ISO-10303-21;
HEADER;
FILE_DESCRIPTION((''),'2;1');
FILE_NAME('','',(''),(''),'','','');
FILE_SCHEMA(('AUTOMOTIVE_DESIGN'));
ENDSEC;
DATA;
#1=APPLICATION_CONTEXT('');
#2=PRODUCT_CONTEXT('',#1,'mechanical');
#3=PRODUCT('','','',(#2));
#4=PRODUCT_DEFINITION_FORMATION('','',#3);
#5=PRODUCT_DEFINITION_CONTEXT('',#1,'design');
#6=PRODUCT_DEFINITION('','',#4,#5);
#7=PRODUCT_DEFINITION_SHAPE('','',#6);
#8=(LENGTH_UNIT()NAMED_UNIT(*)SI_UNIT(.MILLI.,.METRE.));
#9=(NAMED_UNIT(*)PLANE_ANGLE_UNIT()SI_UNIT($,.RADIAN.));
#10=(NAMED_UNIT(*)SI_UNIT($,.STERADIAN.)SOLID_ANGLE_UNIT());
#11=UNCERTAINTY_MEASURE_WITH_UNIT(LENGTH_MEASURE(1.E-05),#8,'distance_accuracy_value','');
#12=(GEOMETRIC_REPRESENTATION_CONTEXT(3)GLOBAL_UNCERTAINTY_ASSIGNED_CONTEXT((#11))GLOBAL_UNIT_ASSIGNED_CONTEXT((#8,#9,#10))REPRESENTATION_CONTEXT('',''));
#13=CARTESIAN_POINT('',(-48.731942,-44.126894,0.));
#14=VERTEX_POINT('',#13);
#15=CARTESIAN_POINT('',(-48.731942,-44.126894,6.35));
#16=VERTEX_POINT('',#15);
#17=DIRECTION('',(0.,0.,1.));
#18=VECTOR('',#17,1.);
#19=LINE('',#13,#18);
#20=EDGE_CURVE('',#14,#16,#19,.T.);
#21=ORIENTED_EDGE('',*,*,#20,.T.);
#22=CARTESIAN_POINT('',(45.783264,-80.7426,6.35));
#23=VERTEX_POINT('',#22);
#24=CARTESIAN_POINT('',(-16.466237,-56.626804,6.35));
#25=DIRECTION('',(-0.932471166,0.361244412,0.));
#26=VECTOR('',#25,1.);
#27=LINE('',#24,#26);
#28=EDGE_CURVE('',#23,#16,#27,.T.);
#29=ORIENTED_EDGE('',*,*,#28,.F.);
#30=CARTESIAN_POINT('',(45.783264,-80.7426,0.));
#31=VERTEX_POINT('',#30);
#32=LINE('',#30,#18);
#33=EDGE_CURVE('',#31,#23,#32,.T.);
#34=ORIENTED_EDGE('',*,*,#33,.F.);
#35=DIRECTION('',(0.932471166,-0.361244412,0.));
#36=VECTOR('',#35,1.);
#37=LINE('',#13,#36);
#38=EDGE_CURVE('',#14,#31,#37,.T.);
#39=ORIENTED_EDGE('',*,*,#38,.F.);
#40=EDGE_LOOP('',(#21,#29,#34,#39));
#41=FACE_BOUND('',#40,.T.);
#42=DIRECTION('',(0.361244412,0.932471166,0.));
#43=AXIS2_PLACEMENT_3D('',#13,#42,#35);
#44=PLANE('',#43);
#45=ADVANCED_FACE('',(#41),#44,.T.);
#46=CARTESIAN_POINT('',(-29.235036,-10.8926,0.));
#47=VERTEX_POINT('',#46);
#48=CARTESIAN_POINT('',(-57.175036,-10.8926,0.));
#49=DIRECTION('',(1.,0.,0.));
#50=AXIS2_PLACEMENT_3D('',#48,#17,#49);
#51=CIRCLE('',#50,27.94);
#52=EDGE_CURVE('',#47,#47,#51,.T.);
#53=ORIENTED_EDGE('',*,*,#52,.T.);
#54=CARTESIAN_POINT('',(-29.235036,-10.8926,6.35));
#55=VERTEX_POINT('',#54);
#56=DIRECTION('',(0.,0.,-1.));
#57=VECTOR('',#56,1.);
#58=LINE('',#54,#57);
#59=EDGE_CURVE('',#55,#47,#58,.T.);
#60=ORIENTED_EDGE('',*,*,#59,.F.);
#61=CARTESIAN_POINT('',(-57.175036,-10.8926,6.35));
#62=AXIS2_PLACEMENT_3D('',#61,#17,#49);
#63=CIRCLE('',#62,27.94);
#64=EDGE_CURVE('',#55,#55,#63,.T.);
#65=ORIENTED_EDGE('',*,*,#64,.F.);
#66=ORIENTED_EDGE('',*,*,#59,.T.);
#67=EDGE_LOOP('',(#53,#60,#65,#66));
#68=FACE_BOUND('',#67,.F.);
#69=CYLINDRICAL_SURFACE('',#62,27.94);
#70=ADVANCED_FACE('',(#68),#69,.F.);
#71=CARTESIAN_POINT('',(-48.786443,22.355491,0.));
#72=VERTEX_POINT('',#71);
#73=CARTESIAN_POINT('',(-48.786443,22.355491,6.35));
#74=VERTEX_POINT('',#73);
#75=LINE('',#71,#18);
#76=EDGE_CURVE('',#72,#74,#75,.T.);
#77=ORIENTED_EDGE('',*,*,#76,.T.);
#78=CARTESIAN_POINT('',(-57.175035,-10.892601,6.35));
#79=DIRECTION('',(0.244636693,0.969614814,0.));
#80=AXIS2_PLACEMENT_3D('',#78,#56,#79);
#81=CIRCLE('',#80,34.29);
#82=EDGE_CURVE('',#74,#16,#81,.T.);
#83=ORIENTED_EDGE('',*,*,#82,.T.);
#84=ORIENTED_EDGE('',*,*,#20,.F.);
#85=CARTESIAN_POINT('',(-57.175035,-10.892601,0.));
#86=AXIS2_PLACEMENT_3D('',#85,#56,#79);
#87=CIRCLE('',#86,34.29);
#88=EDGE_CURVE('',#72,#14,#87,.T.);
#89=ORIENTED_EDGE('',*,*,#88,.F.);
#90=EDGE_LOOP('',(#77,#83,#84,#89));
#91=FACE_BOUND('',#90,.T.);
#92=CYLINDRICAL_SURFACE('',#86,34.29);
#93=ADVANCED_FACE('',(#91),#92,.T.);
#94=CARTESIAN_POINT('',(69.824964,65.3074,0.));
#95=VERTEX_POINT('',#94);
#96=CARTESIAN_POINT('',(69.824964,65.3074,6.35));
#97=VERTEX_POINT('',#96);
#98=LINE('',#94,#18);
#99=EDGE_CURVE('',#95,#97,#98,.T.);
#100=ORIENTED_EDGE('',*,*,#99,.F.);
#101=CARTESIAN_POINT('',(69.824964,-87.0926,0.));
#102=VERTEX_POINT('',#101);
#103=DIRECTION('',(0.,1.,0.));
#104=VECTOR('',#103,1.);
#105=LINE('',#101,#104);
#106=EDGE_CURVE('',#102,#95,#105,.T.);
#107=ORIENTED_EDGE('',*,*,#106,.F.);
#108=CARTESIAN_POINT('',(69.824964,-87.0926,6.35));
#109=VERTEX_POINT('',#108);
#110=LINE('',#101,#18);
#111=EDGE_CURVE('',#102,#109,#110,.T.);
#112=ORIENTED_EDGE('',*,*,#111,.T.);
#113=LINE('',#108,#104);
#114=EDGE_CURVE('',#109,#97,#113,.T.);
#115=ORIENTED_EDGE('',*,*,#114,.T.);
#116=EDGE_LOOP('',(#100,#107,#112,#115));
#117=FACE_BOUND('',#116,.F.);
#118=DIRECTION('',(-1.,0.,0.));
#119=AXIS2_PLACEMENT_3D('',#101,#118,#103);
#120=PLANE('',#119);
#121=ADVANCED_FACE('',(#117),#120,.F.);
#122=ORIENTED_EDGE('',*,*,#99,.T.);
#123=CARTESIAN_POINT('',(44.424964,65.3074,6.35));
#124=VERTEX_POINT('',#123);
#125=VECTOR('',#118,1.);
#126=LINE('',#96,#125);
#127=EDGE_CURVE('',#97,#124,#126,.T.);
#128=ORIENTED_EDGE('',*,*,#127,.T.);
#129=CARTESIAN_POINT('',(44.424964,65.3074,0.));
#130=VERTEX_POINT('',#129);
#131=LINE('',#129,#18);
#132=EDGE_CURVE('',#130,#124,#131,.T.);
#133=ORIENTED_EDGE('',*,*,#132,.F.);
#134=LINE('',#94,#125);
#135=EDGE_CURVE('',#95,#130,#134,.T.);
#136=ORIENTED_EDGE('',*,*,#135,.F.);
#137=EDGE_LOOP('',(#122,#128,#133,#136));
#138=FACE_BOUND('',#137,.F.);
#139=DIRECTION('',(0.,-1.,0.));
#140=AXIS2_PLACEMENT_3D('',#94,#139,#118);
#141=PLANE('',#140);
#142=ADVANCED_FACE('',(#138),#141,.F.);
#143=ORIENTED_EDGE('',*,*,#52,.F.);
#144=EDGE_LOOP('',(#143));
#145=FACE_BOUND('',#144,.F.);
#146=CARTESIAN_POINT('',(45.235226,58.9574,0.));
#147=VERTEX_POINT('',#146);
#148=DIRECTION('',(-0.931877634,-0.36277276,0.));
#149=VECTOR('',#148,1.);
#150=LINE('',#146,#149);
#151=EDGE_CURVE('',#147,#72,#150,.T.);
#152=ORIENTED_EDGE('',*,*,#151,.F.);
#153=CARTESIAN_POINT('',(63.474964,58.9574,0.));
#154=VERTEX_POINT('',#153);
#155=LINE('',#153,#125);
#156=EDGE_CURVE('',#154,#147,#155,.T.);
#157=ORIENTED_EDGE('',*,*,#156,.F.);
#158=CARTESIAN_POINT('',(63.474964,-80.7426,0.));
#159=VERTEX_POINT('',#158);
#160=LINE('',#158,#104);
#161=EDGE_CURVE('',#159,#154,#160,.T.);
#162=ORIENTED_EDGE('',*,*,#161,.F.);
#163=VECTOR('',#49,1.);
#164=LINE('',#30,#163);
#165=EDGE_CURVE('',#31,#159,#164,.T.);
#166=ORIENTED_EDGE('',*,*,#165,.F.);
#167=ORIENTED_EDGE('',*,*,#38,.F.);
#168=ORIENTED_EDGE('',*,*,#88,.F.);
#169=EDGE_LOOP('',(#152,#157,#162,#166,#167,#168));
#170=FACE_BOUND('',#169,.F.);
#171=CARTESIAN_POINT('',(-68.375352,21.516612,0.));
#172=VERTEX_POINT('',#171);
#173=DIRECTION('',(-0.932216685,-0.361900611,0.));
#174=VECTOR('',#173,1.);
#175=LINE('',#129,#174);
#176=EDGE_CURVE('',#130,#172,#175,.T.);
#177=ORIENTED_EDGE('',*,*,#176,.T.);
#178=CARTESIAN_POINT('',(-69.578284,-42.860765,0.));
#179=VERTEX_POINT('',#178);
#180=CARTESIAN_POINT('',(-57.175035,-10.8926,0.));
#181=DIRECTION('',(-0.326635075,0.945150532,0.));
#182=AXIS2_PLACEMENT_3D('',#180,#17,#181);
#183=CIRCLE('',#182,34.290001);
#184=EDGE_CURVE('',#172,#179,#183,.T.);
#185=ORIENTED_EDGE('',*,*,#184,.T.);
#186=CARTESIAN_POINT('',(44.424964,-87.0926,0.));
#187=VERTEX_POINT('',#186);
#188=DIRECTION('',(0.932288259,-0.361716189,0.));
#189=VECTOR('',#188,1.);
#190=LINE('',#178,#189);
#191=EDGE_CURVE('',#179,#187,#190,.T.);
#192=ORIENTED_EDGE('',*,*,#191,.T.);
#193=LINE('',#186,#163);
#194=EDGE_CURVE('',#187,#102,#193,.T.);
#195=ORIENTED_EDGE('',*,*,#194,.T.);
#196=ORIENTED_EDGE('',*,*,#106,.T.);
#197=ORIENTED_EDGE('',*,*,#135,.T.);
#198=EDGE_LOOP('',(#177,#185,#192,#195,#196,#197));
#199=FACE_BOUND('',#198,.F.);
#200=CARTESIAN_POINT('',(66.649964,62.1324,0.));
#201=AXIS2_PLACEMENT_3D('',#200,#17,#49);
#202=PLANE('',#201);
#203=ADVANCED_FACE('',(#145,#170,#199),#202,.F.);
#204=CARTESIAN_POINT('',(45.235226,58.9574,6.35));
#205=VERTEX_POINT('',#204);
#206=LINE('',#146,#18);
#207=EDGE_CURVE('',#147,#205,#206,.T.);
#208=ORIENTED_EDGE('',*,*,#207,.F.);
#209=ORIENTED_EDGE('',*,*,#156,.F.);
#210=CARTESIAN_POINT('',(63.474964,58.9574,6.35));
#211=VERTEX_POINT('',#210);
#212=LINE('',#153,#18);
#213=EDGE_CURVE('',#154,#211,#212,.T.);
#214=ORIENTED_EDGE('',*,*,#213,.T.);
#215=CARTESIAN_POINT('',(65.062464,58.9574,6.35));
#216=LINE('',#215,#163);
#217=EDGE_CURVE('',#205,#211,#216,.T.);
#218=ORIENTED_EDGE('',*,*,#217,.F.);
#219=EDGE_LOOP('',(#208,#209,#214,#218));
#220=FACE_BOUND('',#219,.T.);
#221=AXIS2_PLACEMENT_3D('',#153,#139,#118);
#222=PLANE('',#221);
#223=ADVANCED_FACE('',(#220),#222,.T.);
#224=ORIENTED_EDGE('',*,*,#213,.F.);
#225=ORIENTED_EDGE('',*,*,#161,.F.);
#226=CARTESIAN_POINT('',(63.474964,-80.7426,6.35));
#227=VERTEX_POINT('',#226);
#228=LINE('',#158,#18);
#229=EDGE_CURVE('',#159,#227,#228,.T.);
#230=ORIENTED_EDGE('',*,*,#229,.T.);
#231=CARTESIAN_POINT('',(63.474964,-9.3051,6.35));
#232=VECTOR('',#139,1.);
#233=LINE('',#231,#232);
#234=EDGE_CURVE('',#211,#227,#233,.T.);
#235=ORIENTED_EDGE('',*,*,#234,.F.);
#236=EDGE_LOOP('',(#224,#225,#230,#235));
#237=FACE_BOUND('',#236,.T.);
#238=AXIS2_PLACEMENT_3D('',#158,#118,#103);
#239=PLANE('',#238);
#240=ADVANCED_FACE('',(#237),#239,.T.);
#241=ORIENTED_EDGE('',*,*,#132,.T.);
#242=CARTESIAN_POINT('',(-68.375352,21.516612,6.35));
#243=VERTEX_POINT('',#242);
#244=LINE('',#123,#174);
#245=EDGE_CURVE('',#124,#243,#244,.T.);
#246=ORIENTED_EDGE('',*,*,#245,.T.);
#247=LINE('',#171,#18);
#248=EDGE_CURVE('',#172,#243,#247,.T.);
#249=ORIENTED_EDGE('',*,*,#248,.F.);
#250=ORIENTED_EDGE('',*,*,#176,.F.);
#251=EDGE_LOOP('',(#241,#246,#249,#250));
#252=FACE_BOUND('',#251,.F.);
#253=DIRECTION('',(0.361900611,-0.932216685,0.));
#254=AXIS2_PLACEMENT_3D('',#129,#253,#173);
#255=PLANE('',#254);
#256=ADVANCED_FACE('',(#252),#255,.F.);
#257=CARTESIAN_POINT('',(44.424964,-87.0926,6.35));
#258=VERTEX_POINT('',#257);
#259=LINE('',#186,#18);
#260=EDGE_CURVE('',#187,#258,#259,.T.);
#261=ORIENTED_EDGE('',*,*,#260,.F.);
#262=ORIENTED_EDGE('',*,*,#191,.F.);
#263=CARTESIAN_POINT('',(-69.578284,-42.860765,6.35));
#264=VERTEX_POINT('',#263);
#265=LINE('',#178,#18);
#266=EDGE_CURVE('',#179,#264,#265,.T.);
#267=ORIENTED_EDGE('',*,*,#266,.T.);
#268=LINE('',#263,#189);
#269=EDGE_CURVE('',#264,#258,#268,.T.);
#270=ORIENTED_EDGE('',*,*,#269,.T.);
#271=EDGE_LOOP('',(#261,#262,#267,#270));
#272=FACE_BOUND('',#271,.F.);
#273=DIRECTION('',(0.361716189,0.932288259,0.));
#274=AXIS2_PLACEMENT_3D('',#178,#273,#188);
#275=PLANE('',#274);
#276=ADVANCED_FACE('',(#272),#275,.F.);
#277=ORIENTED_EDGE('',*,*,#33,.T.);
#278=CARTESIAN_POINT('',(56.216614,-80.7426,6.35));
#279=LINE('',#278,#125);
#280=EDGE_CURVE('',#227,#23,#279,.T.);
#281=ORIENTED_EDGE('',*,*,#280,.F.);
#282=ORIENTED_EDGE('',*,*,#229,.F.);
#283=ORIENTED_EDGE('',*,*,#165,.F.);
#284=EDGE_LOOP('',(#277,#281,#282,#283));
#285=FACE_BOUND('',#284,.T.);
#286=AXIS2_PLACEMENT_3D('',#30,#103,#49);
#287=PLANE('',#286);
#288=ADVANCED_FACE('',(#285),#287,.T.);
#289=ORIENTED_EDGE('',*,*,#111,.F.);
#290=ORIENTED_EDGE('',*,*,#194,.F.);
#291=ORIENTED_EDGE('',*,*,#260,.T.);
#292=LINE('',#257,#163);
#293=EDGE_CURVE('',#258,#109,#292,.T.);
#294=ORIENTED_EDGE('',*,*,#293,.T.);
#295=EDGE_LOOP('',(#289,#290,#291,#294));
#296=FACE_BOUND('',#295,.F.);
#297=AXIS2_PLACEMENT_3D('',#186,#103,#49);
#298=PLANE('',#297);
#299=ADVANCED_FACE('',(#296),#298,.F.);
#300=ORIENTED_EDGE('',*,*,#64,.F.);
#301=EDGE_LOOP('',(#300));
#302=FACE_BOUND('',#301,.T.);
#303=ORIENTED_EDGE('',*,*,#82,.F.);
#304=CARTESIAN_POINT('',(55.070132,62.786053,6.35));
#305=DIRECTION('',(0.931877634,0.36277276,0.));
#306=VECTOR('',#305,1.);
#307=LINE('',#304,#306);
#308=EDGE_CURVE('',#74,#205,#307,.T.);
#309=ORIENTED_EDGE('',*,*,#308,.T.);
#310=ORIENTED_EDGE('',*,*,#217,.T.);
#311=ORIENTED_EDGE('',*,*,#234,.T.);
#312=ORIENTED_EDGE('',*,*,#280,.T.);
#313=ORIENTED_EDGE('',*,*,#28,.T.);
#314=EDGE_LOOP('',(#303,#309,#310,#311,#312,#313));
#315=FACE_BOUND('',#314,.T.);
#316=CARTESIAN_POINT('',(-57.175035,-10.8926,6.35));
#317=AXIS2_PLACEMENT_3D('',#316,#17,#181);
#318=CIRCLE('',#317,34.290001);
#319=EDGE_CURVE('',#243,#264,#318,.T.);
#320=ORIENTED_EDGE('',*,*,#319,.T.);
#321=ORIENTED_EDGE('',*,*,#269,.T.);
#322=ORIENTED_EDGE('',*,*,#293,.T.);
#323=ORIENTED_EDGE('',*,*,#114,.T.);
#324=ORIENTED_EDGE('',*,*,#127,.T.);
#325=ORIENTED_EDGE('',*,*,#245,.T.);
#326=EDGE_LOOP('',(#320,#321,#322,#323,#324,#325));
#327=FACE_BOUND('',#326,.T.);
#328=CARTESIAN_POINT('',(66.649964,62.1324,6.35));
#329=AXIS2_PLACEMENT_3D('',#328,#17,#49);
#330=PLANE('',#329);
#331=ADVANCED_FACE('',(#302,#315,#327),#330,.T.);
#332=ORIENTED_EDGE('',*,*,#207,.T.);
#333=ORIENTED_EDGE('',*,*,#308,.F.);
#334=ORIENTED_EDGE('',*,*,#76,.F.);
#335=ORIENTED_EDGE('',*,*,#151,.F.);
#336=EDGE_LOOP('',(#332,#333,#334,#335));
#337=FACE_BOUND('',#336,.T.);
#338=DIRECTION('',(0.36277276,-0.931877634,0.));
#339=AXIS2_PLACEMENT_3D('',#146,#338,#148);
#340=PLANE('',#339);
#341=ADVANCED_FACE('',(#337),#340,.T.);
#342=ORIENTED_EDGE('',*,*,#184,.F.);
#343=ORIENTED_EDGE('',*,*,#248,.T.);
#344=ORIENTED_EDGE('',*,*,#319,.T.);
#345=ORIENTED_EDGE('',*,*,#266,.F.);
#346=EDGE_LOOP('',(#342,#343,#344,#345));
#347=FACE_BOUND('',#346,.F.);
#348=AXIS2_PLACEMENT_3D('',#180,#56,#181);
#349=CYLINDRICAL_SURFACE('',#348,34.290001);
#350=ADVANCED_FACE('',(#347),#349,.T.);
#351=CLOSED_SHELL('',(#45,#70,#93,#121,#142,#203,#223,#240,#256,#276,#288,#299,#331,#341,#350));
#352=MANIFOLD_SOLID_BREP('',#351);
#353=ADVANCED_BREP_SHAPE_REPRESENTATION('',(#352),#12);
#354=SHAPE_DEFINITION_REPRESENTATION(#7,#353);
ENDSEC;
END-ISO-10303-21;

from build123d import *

# Parameters (mm, degrees)
F0_W     = 6.35
F0_H     = 6.35
F0_H_2   = 69.85
F1_DEPTH = 6.35
F2_R     = 27.94
F3_DEPTH = 25.4
F5_DEPTH = 25.4


with BuildPart() as f1:
    # F0 (on Top) → F1 (new body)
    with BuildSketch(Plane.XY):
        with Locations((66.649964, 62.1324)):
            Rectangle(F0_W, F0_H)
        with Locations((66.649964, 24.0324)):
            Rectangle(F0_W, F0_H_2)
        with BuildLine():
            Line((63.474964, 58.9574), (63.474964, 65.3074))
            Line((63.474964, 65.3074), (44.424964, 65.3074))
            Line((44.424964, 65.3074), (-68.375352, 21.516612))
            ThreePointArc((-68.375352, 21.516612), (-91.459051, -10.251982), (-69.578284, -42.860765))
            Line((-69.578284, -42.860765), (44.424964, -87.0926))
            Line((44.424964, -87.0926), (63.474964, -87.0926))
            Line((63.474964, -87.0926), (63.474964, -80.7426))
            Line((63.474964, -80.7426), (63.474964, -10.8926))
            Line((63.474964, -10.8926), (63.474964, 58.9574))
        make_face()
        with Locations((66.649964, -45.8176)):
            Rectangle(F0_W, F0_H_2)
        with Locations((66.649964, -83.9176)):
            Rectangle(F0_W, F0_H)
    extrude(amount=F1_DEPTH)

    # F2 (on face) → F3 (cut)
    with BuildSketch(Plane.XY.offset(6.35)):
        with Locations((-57.175036, -10.8926)):
            Circle(F2_R)
    extrude(amount=-F3_DEPTH, mode=Mode.SUBTRACT)

    # F4 (on Top) → F5 (cut)
    with BuildSketch(Plane.XY):
        with BuildLine():
            Line((63.474964, -80.7426), (63.474964, 58.9574))
            Line((63.474964, 58.9574), (45.235226, 58.9574))
            Line((45.235226, 58.9574), (-48.786443, 22.355491))
            ThreePointArc((-48.786443, 22.355491), (-22.885047, -10.86449), (-48.731942, -44.126894))
            Line((-48.731942, -44.126894), (45.783264, -80.7426))
            Line((45.783264, -80.7426), (63.474964, -80.7426))
        make_face()
    extrude(amount=F5_DEPTH, mode=Mode.SUBTRACT)


solid = f1.part
